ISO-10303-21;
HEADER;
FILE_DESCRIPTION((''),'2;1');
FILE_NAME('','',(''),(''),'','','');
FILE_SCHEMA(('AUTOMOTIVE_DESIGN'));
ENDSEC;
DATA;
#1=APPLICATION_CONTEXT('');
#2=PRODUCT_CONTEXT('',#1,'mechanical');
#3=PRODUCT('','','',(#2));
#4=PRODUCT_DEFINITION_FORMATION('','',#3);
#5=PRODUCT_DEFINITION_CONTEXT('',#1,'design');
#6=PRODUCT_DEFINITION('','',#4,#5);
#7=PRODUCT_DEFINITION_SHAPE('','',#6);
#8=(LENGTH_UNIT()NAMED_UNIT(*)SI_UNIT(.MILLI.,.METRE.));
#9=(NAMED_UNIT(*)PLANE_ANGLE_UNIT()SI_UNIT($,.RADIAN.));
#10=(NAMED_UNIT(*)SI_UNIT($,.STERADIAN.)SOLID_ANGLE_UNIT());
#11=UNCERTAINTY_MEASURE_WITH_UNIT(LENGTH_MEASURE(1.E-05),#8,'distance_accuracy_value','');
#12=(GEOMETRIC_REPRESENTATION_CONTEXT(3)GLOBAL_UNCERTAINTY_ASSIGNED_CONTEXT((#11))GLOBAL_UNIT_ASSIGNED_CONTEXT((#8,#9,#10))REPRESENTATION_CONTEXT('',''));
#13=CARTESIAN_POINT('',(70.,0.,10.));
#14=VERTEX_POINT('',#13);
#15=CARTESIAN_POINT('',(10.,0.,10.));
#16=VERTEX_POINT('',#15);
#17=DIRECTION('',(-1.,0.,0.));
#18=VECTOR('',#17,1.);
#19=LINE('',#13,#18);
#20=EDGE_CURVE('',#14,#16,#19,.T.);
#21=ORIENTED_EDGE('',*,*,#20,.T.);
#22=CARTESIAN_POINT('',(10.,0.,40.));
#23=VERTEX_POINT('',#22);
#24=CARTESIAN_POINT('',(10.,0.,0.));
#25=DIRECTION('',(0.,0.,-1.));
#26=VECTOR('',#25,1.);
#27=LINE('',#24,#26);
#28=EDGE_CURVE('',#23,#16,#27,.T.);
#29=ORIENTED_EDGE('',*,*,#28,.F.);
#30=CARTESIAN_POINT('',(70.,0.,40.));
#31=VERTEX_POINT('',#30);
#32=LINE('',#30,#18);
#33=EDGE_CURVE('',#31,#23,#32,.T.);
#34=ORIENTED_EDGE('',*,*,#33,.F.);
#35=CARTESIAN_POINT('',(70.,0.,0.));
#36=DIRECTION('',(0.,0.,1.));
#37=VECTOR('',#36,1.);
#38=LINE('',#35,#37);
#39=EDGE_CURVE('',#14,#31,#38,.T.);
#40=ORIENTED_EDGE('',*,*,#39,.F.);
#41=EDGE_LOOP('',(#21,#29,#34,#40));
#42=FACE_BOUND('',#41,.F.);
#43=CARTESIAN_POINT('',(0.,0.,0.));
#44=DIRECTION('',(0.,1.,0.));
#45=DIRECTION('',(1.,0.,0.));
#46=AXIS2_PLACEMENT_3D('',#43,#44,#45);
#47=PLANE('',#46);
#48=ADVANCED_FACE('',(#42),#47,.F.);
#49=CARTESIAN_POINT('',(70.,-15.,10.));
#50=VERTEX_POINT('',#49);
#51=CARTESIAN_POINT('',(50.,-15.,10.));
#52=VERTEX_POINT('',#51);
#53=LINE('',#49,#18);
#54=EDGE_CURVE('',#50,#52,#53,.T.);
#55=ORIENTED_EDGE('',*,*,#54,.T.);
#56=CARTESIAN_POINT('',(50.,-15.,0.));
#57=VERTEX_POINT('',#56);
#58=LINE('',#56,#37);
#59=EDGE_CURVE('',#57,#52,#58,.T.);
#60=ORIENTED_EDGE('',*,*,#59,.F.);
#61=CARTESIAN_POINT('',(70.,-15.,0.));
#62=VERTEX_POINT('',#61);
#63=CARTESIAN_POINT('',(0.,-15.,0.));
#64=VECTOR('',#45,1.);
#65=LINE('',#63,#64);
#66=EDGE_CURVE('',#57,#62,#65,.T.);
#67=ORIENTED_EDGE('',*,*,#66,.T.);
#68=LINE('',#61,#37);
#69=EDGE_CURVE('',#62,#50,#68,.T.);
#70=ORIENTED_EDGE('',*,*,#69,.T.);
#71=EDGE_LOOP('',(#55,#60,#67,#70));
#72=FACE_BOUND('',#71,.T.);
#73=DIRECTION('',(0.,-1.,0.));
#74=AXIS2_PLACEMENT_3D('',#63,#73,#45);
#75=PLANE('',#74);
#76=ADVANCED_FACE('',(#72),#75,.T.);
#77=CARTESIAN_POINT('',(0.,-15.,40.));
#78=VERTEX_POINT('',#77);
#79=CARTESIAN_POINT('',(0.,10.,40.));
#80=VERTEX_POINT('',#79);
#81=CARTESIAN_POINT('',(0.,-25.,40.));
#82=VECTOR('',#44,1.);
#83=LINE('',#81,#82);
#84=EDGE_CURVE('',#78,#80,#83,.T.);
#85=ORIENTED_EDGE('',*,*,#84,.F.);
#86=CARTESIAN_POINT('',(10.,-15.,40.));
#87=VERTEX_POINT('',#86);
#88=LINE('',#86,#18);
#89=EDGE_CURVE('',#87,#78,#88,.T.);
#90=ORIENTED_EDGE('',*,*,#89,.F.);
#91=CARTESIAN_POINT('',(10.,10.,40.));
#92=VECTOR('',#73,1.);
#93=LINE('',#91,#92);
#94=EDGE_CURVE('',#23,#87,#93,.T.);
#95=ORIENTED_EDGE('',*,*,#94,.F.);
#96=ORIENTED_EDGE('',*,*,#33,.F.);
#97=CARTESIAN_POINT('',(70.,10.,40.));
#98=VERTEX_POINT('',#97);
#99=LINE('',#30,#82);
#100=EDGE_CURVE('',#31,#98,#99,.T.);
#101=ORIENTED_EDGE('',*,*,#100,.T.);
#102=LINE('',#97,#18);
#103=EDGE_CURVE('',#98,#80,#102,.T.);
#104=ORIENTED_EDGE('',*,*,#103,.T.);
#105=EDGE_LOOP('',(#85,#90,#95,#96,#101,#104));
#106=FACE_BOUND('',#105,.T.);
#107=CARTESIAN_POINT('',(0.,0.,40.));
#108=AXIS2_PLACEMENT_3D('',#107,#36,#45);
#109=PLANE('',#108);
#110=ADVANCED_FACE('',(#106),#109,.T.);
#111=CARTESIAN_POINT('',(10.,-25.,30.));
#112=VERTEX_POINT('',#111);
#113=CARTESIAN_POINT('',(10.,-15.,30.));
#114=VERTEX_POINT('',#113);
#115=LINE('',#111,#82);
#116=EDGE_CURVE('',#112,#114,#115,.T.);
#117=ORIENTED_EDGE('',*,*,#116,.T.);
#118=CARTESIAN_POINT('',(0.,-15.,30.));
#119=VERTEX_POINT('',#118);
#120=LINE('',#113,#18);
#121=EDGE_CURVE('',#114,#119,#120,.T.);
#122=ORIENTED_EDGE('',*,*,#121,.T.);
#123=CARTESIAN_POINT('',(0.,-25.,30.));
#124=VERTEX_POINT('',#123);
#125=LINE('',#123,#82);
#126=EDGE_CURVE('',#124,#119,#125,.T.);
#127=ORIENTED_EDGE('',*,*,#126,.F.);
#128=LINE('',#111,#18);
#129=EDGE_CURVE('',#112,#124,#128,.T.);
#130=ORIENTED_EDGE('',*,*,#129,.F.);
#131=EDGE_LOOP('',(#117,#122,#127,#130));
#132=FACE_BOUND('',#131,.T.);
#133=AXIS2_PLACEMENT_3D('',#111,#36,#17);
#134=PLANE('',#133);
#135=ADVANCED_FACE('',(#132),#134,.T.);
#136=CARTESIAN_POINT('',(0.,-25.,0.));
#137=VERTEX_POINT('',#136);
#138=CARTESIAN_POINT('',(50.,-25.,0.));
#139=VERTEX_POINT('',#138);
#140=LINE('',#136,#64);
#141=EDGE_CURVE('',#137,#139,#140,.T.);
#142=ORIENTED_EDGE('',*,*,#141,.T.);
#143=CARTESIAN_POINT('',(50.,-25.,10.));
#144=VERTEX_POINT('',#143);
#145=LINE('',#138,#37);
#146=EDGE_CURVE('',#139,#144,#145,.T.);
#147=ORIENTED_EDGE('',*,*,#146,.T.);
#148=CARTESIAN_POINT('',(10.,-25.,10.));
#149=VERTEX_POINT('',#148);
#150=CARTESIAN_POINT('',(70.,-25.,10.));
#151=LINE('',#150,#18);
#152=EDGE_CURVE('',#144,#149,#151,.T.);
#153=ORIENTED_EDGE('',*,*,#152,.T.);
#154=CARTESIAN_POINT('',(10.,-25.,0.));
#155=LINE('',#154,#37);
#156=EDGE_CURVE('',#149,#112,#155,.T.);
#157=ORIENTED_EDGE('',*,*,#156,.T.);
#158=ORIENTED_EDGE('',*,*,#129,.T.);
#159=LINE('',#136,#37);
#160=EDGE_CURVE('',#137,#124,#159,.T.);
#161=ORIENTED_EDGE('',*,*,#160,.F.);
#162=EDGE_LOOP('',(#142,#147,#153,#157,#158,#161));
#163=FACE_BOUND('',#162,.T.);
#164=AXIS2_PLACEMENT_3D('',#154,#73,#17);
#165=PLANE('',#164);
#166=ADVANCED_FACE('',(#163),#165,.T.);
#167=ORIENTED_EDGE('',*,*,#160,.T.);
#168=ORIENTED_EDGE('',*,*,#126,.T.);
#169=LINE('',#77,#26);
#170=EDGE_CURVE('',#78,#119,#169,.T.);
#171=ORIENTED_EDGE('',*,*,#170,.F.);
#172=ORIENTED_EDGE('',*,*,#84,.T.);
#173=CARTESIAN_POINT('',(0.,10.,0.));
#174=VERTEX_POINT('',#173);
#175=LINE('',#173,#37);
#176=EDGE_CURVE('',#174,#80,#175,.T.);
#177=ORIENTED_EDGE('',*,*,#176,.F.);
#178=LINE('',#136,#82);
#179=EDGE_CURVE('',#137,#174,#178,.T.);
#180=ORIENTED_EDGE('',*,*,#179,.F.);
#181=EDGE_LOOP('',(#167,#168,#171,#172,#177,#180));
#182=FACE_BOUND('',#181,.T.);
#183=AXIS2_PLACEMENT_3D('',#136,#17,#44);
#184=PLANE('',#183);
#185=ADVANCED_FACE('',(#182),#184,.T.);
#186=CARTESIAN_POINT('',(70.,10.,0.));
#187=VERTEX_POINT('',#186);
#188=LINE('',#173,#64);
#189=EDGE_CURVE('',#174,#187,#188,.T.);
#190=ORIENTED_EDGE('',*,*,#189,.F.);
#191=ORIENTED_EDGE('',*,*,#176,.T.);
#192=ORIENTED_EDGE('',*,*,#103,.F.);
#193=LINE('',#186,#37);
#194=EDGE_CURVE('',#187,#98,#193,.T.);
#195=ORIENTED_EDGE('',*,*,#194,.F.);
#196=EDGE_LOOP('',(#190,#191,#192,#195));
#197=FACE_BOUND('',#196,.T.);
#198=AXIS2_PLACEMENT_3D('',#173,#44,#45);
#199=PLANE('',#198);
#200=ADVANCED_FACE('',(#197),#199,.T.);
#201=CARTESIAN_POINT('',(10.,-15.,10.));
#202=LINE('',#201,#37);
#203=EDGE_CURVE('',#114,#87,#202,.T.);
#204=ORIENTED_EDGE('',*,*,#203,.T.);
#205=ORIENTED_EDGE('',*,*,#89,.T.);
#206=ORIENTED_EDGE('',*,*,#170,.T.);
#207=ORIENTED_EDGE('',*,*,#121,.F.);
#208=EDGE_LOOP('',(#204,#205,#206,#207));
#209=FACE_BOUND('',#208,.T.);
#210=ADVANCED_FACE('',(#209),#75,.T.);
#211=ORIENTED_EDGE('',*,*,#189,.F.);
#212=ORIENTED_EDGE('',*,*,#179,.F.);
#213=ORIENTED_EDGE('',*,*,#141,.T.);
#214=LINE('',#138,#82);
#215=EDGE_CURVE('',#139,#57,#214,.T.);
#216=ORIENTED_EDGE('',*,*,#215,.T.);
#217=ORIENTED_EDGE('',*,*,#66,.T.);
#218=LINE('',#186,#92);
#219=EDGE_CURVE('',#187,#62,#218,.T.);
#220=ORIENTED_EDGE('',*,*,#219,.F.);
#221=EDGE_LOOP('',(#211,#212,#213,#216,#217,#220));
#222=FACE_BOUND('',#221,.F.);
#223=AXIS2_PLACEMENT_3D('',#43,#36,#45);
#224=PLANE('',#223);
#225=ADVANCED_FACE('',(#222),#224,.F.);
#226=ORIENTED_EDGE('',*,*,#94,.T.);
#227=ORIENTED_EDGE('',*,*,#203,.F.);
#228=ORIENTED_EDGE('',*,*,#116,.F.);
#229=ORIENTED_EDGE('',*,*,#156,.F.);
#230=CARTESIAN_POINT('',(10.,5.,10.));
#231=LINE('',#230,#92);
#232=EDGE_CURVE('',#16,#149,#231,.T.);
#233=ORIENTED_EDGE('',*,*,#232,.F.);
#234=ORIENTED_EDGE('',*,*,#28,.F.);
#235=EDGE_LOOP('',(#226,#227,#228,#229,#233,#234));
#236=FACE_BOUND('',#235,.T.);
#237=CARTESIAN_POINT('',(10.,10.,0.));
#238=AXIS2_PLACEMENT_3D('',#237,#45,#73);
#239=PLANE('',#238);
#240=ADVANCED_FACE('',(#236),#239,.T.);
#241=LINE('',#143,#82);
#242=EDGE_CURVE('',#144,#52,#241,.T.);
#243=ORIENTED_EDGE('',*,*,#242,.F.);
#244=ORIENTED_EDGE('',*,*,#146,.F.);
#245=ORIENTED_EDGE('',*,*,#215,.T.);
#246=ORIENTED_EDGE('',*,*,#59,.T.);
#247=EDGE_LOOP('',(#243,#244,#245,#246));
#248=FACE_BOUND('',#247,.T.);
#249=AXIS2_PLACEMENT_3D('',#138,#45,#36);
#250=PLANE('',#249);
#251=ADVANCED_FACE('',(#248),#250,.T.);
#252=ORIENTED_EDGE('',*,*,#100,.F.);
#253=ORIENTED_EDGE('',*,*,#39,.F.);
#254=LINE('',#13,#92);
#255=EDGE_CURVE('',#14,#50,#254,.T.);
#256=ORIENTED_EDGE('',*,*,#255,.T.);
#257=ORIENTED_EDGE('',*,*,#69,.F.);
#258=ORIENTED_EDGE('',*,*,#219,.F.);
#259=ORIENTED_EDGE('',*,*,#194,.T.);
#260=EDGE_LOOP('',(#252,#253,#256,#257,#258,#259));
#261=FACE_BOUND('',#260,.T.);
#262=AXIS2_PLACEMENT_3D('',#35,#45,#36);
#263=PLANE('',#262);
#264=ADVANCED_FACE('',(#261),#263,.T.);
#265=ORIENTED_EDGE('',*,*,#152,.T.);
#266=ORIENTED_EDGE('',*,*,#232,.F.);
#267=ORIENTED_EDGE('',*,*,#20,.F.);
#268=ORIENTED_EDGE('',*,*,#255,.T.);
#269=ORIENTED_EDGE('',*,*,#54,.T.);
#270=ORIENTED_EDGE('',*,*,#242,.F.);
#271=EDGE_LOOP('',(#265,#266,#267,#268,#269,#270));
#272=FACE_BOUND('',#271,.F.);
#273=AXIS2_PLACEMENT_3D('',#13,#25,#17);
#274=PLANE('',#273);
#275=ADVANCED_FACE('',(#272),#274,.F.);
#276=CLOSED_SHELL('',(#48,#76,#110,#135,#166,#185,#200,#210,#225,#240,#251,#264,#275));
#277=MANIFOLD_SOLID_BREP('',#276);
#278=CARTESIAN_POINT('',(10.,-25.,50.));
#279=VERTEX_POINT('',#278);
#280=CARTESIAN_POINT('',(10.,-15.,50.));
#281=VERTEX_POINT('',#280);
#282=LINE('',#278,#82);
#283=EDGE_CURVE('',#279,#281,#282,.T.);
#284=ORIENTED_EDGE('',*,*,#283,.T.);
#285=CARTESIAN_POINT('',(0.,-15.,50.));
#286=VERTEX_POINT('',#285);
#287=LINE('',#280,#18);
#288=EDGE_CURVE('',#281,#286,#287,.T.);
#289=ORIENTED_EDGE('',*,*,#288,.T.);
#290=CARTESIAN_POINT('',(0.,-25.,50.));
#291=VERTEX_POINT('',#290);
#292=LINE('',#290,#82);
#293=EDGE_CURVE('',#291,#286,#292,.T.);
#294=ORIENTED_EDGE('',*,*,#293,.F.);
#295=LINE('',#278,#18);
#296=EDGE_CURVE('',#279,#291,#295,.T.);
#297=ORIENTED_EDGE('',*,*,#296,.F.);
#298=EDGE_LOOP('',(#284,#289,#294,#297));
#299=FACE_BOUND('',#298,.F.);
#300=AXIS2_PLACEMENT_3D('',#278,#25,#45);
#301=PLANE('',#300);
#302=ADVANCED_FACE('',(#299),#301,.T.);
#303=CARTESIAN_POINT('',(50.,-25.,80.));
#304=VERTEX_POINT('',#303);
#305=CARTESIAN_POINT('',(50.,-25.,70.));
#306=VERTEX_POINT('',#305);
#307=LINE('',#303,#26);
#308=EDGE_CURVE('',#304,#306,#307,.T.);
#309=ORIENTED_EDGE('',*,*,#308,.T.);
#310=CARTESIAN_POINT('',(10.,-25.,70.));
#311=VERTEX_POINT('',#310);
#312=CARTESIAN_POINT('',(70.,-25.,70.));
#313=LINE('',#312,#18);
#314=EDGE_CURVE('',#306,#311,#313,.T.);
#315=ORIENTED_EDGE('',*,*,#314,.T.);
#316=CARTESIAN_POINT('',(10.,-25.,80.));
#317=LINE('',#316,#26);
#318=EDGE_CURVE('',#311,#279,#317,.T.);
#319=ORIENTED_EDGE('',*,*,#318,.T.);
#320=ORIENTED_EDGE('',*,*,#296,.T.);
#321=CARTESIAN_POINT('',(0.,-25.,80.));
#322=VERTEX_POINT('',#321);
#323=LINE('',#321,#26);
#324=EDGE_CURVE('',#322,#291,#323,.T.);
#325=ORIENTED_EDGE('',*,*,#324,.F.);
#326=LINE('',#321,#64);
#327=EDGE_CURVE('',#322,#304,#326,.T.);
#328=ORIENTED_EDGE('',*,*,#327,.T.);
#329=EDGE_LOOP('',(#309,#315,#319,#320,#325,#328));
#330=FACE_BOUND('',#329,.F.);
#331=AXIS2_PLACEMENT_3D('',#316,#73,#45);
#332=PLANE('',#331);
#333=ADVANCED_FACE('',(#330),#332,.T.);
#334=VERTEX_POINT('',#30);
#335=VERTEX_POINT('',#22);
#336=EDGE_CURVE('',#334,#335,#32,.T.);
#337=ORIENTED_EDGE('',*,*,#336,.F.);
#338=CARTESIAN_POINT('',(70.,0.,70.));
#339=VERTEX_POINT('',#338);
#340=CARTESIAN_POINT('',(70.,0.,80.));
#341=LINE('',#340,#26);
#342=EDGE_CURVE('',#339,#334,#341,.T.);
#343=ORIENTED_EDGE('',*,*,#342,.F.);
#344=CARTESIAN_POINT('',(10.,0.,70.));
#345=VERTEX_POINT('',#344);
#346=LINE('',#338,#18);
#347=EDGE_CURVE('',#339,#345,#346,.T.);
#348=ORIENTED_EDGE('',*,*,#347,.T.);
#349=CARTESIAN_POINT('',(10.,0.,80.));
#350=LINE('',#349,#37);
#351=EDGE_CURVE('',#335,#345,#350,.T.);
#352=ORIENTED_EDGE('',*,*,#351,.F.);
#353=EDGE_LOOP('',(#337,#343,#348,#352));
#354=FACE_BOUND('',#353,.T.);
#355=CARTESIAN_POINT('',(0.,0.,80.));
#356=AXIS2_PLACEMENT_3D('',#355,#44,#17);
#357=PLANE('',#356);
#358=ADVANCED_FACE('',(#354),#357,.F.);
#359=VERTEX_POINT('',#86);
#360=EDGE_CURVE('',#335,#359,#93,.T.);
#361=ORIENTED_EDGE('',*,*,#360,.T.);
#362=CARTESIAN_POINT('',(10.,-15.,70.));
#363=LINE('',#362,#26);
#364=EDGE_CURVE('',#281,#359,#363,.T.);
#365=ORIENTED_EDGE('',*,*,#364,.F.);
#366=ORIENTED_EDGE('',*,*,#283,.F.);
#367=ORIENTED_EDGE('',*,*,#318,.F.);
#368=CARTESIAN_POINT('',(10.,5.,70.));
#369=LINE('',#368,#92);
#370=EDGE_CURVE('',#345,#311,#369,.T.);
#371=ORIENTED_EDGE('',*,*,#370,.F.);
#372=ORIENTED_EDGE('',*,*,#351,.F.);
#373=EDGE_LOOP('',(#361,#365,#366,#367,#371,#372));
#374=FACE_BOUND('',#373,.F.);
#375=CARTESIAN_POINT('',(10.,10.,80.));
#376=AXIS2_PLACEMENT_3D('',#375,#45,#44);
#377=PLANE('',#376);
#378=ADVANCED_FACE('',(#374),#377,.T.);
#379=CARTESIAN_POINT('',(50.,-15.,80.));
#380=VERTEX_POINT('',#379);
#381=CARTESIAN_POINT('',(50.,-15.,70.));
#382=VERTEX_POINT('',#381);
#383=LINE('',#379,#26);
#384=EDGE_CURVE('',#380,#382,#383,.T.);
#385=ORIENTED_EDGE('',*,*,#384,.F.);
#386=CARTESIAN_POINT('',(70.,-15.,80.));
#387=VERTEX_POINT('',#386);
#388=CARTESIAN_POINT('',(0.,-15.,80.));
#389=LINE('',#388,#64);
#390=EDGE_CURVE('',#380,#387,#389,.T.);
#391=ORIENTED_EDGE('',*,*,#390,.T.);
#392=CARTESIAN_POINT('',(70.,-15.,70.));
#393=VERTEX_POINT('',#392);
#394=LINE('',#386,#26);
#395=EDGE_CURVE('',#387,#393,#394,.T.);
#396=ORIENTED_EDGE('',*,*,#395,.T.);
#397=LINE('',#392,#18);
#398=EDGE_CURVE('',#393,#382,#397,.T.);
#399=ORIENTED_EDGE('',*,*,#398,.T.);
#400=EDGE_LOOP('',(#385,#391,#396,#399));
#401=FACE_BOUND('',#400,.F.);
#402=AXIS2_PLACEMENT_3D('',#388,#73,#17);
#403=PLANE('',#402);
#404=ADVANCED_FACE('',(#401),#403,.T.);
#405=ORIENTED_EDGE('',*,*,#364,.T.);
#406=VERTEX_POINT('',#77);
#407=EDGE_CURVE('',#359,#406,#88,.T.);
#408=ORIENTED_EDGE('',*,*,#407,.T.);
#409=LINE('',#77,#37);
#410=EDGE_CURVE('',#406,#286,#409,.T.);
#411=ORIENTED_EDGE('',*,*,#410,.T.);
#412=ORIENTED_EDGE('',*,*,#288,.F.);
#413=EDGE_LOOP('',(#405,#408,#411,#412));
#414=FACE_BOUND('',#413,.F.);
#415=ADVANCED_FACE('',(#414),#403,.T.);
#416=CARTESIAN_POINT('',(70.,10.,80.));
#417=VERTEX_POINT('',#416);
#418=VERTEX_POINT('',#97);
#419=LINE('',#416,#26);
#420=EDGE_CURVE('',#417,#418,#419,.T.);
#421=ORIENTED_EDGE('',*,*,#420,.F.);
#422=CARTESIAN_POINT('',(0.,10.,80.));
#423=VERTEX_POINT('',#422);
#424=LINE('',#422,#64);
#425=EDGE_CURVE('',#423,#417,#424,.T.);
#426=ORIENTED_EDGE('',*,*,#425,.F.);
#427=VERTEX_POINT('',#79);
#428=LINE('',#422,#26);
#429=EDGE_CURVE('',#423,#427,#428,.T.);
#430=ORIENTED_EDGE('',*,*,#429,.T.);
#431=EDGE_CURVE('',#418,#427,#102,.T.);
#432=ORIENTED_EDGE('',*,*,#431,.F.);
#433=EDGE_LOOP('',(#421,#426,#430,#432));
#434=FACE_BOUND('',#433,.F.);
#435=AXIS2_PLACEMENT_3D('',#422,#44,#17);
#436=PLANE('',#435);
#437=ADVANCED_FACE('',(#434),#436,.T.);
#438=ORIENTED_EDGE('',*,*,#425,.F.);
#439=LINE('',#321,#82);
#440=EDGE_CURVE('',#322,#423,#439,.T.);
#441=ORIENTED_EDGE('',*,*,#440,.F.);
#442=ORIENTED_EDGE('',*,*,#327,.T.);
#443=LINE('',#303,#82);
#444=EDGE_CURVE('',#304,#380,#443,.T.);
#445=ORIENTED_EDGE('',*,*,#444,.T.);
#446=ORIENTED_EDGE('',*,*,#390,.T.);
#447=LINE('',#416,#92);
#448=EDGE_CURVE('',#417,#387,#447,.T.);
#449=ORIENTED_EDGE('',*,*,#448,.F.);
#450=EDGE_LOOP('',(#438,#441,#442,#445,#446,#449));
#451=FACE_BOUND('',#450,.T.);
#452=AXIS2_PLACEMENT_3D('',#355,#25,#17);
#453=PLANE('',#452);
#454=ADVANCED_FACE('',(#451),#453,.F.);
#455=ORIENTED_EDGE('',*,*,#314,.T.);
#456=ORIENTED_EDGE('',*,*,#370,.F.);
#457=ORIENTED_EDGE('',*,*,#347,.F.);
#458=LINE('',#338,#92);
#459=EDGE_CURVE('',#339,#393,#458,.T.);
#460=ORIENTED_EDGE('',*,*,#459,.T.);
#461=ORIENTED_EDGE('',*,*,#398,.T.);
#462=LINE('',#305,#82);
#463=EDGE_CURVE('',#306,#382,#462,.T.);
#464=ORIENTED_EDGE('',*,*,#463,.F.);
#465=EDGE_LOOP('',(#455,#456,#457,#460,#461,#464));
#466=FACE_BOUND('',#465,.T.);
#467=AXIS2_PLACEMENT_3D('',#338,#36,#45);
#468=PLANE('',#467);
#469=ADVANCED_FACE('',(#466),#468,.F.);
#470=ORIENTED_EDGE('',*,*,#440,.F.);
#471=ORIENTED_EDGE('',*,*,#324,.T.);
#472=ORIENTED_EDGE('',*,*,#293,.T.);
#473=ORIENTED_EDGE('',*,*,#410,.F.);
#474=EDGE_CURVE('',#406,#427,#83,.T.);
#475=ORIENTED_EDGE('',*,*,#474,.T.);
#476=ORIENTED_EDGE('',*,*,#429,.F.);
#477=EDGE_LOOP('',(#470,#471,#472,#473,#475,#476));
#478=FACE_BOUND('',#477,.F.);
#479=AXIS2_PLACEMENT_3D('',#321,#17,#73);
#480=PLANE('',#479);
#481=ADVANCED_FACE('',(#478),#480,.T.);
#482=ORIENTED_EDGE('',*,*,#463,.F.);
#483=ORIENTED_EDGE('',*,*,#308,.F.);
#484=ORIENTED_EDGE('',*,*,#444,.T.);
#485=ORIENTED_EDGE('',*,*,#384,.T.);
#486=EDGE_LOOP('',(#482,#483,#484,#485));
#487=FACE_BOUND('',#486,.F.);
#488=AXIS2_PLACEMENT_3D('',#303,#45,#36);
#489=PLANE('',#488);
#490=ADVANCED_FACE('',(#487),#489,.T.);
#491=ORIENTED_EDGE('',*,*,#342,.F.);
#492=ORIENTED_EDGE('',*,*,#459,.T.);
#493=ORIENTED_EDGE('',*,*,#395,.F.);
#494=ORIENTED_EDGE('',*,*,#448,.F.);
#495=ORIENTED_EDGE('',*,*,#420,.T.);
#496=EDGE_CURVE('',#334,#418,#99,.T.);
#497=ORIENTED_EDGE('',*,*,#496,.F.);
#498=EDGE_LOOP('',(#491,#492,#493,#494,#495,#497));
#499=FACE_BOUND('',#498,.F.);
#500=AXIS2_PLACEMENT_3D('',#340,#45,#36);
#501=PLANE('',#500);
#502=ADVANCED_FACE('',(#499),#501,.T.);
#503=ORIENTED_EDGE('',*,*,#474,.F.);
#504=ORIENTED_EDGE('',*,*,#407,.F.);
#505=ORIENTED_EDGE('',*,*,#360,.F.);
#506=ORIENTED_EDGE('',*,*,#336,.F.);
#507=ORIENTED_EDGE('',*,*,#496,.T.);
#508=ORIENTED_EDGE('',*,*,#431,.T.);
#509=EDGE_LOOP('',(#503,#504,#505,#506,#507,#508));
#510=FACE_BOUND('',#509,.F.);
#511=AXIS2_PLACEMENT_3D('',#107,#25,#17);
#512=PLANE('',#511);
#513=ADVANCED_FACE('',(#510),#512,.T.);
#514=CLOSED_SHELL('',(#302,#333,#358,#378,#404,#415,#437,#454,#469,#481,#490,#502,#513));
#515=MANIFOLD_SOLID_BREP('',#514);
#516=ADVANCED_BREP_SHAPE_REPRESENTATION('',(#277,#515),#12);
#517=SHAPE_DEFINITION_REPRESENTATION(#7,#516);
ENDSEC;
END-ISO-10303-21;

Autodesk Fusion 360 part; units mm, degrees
sketch "Sketch1" plane through (0, 0, 0) normal (0, 1, 0) x (1, 0, 0)
  line L0 (0, 0) -> (70, 0)
  line L1 (70, 0) -> (70, -40)
  line L2 (70, -40) -> (0, -40)
  line L3 (0, -40) -> (0, 0)
extrude "Extrude1" add sketch "Sketch1" along normal blind 10 makes body 1
sketch "Sketch2" plane through (0, 0, 0) normal (0, 1, 0) x (1, 0, 0)
  line L0 (0, 0) -> (70, 0)
  line L1 (70, 0) -> (70, -10)
  line L2 (70, -10) -> (0, -10)
  line L3 (0, -10) -> (0, 0)
  line L4 (70, -40) -> (70, 0)
extrude "Extrude2" add sketch "Sketch2" against normal blind 25 bodies 1
sketch "Sketch3" plane through (0, 0, 0) normal (0, 0, 1) x (1, 0, 0)
  line L0 (10, -25) -> (0, -25)
  line L1 (0, -25) -> (0, 10)
  line L2 (0, 10) -> (10, 10)
  line L3 (10, 10) -> (10, -25)
  line L4 (0, -25) -> (70, -25)
extrude "Extrude3" cut sketch "Sketch3" along normal blind 40 bodies 1
sketch "Sketch4" plane through (0, 0, 0) normal (0, 1, 0) x (1, 0, 0)
extrude "Extrude4" add sketch "Sketch3" along normal blind 40 bodies 1
sketch "Sketch5" plane through (0, 0, 0) normal (0, 1, 0) x (1, 0, 0)
  line L0 (0, -30) -> (10, -30)
  line L1 (10, -30) -> (10, -40)
  line L2 (10, -40) -> (0, -40)
  line L3 (0, -40) -> (0, -30)
  line L4 (0, -40) -> (0, 0)
sketch "Sketch6" plane through (0, -25, 0) normal (0, -1, 0) x (1, 0, 0)
  line L0 (0, 0) -> (70, 0)
  line L1 (70, 0) -> (70, 10)
  line L2 (70, 10) -> (10, 10)
  line L3 (10, 10) -> (10, 40)
  line L4 (10, 40) -> (0, 40)
  line L5 (0, 40) -> (0, 0)
  line L6 (0, 40) -> (10, 40)
  line L7 (10, 40) -> (10, 30)
  line L8 (10, 30) -> (0, 30)
  line L9 (0, 30) -> (0, 40)
extrude "Extrude5" cut sketch "Sketch6" against normal blind 10 contours L3 L4 L5 L6 L7 L8 L9 bodies 1
sketch "Sketch7" plane through (0, 0, 0) normal (0, 1, 0) x (1, 0, 0)
  line L0 (50, -10) -> (70, -10)
  line L1 (70, -10) -> (70, 0)
  line L2 (70, 0) -> (50, 0)
  line L3 (50, 0) -> (50, -10)
  line L4 (10, -10) -> (70, -10)
sketch "Sketch8" plane through (0, -25, 0) normal (0, -1, 0) x (1, 0, 0)
  line L0 (10, 30) -> (0, 30)
  line L1 (0, 30) -> (0, 0)
  line L2 (0, 0) -> (70, 0)
  line L3 (70, 0) -> (70, 10)
  line L4 (70, 10) -> (10, 10)
  line L5 (10, 10) -> (10, 30)
  line L6 (70, 0) -> (50, 0)
  line L7 (50, 0) -> (50, 10)
  line L8 (50, 10) -> (70, 10)
  line L9 (70, 10) -> (70, 0)
extrude "Extrude6" cut sketch "Sketch8" against normal blind 10 contours L2 L3 L4 L6 L7 L8 L9 bodies 1
mirror "Mirror1" about plane through (0, 0, 40) normal (0, 0, 1) of bodies 1 makes body 2
